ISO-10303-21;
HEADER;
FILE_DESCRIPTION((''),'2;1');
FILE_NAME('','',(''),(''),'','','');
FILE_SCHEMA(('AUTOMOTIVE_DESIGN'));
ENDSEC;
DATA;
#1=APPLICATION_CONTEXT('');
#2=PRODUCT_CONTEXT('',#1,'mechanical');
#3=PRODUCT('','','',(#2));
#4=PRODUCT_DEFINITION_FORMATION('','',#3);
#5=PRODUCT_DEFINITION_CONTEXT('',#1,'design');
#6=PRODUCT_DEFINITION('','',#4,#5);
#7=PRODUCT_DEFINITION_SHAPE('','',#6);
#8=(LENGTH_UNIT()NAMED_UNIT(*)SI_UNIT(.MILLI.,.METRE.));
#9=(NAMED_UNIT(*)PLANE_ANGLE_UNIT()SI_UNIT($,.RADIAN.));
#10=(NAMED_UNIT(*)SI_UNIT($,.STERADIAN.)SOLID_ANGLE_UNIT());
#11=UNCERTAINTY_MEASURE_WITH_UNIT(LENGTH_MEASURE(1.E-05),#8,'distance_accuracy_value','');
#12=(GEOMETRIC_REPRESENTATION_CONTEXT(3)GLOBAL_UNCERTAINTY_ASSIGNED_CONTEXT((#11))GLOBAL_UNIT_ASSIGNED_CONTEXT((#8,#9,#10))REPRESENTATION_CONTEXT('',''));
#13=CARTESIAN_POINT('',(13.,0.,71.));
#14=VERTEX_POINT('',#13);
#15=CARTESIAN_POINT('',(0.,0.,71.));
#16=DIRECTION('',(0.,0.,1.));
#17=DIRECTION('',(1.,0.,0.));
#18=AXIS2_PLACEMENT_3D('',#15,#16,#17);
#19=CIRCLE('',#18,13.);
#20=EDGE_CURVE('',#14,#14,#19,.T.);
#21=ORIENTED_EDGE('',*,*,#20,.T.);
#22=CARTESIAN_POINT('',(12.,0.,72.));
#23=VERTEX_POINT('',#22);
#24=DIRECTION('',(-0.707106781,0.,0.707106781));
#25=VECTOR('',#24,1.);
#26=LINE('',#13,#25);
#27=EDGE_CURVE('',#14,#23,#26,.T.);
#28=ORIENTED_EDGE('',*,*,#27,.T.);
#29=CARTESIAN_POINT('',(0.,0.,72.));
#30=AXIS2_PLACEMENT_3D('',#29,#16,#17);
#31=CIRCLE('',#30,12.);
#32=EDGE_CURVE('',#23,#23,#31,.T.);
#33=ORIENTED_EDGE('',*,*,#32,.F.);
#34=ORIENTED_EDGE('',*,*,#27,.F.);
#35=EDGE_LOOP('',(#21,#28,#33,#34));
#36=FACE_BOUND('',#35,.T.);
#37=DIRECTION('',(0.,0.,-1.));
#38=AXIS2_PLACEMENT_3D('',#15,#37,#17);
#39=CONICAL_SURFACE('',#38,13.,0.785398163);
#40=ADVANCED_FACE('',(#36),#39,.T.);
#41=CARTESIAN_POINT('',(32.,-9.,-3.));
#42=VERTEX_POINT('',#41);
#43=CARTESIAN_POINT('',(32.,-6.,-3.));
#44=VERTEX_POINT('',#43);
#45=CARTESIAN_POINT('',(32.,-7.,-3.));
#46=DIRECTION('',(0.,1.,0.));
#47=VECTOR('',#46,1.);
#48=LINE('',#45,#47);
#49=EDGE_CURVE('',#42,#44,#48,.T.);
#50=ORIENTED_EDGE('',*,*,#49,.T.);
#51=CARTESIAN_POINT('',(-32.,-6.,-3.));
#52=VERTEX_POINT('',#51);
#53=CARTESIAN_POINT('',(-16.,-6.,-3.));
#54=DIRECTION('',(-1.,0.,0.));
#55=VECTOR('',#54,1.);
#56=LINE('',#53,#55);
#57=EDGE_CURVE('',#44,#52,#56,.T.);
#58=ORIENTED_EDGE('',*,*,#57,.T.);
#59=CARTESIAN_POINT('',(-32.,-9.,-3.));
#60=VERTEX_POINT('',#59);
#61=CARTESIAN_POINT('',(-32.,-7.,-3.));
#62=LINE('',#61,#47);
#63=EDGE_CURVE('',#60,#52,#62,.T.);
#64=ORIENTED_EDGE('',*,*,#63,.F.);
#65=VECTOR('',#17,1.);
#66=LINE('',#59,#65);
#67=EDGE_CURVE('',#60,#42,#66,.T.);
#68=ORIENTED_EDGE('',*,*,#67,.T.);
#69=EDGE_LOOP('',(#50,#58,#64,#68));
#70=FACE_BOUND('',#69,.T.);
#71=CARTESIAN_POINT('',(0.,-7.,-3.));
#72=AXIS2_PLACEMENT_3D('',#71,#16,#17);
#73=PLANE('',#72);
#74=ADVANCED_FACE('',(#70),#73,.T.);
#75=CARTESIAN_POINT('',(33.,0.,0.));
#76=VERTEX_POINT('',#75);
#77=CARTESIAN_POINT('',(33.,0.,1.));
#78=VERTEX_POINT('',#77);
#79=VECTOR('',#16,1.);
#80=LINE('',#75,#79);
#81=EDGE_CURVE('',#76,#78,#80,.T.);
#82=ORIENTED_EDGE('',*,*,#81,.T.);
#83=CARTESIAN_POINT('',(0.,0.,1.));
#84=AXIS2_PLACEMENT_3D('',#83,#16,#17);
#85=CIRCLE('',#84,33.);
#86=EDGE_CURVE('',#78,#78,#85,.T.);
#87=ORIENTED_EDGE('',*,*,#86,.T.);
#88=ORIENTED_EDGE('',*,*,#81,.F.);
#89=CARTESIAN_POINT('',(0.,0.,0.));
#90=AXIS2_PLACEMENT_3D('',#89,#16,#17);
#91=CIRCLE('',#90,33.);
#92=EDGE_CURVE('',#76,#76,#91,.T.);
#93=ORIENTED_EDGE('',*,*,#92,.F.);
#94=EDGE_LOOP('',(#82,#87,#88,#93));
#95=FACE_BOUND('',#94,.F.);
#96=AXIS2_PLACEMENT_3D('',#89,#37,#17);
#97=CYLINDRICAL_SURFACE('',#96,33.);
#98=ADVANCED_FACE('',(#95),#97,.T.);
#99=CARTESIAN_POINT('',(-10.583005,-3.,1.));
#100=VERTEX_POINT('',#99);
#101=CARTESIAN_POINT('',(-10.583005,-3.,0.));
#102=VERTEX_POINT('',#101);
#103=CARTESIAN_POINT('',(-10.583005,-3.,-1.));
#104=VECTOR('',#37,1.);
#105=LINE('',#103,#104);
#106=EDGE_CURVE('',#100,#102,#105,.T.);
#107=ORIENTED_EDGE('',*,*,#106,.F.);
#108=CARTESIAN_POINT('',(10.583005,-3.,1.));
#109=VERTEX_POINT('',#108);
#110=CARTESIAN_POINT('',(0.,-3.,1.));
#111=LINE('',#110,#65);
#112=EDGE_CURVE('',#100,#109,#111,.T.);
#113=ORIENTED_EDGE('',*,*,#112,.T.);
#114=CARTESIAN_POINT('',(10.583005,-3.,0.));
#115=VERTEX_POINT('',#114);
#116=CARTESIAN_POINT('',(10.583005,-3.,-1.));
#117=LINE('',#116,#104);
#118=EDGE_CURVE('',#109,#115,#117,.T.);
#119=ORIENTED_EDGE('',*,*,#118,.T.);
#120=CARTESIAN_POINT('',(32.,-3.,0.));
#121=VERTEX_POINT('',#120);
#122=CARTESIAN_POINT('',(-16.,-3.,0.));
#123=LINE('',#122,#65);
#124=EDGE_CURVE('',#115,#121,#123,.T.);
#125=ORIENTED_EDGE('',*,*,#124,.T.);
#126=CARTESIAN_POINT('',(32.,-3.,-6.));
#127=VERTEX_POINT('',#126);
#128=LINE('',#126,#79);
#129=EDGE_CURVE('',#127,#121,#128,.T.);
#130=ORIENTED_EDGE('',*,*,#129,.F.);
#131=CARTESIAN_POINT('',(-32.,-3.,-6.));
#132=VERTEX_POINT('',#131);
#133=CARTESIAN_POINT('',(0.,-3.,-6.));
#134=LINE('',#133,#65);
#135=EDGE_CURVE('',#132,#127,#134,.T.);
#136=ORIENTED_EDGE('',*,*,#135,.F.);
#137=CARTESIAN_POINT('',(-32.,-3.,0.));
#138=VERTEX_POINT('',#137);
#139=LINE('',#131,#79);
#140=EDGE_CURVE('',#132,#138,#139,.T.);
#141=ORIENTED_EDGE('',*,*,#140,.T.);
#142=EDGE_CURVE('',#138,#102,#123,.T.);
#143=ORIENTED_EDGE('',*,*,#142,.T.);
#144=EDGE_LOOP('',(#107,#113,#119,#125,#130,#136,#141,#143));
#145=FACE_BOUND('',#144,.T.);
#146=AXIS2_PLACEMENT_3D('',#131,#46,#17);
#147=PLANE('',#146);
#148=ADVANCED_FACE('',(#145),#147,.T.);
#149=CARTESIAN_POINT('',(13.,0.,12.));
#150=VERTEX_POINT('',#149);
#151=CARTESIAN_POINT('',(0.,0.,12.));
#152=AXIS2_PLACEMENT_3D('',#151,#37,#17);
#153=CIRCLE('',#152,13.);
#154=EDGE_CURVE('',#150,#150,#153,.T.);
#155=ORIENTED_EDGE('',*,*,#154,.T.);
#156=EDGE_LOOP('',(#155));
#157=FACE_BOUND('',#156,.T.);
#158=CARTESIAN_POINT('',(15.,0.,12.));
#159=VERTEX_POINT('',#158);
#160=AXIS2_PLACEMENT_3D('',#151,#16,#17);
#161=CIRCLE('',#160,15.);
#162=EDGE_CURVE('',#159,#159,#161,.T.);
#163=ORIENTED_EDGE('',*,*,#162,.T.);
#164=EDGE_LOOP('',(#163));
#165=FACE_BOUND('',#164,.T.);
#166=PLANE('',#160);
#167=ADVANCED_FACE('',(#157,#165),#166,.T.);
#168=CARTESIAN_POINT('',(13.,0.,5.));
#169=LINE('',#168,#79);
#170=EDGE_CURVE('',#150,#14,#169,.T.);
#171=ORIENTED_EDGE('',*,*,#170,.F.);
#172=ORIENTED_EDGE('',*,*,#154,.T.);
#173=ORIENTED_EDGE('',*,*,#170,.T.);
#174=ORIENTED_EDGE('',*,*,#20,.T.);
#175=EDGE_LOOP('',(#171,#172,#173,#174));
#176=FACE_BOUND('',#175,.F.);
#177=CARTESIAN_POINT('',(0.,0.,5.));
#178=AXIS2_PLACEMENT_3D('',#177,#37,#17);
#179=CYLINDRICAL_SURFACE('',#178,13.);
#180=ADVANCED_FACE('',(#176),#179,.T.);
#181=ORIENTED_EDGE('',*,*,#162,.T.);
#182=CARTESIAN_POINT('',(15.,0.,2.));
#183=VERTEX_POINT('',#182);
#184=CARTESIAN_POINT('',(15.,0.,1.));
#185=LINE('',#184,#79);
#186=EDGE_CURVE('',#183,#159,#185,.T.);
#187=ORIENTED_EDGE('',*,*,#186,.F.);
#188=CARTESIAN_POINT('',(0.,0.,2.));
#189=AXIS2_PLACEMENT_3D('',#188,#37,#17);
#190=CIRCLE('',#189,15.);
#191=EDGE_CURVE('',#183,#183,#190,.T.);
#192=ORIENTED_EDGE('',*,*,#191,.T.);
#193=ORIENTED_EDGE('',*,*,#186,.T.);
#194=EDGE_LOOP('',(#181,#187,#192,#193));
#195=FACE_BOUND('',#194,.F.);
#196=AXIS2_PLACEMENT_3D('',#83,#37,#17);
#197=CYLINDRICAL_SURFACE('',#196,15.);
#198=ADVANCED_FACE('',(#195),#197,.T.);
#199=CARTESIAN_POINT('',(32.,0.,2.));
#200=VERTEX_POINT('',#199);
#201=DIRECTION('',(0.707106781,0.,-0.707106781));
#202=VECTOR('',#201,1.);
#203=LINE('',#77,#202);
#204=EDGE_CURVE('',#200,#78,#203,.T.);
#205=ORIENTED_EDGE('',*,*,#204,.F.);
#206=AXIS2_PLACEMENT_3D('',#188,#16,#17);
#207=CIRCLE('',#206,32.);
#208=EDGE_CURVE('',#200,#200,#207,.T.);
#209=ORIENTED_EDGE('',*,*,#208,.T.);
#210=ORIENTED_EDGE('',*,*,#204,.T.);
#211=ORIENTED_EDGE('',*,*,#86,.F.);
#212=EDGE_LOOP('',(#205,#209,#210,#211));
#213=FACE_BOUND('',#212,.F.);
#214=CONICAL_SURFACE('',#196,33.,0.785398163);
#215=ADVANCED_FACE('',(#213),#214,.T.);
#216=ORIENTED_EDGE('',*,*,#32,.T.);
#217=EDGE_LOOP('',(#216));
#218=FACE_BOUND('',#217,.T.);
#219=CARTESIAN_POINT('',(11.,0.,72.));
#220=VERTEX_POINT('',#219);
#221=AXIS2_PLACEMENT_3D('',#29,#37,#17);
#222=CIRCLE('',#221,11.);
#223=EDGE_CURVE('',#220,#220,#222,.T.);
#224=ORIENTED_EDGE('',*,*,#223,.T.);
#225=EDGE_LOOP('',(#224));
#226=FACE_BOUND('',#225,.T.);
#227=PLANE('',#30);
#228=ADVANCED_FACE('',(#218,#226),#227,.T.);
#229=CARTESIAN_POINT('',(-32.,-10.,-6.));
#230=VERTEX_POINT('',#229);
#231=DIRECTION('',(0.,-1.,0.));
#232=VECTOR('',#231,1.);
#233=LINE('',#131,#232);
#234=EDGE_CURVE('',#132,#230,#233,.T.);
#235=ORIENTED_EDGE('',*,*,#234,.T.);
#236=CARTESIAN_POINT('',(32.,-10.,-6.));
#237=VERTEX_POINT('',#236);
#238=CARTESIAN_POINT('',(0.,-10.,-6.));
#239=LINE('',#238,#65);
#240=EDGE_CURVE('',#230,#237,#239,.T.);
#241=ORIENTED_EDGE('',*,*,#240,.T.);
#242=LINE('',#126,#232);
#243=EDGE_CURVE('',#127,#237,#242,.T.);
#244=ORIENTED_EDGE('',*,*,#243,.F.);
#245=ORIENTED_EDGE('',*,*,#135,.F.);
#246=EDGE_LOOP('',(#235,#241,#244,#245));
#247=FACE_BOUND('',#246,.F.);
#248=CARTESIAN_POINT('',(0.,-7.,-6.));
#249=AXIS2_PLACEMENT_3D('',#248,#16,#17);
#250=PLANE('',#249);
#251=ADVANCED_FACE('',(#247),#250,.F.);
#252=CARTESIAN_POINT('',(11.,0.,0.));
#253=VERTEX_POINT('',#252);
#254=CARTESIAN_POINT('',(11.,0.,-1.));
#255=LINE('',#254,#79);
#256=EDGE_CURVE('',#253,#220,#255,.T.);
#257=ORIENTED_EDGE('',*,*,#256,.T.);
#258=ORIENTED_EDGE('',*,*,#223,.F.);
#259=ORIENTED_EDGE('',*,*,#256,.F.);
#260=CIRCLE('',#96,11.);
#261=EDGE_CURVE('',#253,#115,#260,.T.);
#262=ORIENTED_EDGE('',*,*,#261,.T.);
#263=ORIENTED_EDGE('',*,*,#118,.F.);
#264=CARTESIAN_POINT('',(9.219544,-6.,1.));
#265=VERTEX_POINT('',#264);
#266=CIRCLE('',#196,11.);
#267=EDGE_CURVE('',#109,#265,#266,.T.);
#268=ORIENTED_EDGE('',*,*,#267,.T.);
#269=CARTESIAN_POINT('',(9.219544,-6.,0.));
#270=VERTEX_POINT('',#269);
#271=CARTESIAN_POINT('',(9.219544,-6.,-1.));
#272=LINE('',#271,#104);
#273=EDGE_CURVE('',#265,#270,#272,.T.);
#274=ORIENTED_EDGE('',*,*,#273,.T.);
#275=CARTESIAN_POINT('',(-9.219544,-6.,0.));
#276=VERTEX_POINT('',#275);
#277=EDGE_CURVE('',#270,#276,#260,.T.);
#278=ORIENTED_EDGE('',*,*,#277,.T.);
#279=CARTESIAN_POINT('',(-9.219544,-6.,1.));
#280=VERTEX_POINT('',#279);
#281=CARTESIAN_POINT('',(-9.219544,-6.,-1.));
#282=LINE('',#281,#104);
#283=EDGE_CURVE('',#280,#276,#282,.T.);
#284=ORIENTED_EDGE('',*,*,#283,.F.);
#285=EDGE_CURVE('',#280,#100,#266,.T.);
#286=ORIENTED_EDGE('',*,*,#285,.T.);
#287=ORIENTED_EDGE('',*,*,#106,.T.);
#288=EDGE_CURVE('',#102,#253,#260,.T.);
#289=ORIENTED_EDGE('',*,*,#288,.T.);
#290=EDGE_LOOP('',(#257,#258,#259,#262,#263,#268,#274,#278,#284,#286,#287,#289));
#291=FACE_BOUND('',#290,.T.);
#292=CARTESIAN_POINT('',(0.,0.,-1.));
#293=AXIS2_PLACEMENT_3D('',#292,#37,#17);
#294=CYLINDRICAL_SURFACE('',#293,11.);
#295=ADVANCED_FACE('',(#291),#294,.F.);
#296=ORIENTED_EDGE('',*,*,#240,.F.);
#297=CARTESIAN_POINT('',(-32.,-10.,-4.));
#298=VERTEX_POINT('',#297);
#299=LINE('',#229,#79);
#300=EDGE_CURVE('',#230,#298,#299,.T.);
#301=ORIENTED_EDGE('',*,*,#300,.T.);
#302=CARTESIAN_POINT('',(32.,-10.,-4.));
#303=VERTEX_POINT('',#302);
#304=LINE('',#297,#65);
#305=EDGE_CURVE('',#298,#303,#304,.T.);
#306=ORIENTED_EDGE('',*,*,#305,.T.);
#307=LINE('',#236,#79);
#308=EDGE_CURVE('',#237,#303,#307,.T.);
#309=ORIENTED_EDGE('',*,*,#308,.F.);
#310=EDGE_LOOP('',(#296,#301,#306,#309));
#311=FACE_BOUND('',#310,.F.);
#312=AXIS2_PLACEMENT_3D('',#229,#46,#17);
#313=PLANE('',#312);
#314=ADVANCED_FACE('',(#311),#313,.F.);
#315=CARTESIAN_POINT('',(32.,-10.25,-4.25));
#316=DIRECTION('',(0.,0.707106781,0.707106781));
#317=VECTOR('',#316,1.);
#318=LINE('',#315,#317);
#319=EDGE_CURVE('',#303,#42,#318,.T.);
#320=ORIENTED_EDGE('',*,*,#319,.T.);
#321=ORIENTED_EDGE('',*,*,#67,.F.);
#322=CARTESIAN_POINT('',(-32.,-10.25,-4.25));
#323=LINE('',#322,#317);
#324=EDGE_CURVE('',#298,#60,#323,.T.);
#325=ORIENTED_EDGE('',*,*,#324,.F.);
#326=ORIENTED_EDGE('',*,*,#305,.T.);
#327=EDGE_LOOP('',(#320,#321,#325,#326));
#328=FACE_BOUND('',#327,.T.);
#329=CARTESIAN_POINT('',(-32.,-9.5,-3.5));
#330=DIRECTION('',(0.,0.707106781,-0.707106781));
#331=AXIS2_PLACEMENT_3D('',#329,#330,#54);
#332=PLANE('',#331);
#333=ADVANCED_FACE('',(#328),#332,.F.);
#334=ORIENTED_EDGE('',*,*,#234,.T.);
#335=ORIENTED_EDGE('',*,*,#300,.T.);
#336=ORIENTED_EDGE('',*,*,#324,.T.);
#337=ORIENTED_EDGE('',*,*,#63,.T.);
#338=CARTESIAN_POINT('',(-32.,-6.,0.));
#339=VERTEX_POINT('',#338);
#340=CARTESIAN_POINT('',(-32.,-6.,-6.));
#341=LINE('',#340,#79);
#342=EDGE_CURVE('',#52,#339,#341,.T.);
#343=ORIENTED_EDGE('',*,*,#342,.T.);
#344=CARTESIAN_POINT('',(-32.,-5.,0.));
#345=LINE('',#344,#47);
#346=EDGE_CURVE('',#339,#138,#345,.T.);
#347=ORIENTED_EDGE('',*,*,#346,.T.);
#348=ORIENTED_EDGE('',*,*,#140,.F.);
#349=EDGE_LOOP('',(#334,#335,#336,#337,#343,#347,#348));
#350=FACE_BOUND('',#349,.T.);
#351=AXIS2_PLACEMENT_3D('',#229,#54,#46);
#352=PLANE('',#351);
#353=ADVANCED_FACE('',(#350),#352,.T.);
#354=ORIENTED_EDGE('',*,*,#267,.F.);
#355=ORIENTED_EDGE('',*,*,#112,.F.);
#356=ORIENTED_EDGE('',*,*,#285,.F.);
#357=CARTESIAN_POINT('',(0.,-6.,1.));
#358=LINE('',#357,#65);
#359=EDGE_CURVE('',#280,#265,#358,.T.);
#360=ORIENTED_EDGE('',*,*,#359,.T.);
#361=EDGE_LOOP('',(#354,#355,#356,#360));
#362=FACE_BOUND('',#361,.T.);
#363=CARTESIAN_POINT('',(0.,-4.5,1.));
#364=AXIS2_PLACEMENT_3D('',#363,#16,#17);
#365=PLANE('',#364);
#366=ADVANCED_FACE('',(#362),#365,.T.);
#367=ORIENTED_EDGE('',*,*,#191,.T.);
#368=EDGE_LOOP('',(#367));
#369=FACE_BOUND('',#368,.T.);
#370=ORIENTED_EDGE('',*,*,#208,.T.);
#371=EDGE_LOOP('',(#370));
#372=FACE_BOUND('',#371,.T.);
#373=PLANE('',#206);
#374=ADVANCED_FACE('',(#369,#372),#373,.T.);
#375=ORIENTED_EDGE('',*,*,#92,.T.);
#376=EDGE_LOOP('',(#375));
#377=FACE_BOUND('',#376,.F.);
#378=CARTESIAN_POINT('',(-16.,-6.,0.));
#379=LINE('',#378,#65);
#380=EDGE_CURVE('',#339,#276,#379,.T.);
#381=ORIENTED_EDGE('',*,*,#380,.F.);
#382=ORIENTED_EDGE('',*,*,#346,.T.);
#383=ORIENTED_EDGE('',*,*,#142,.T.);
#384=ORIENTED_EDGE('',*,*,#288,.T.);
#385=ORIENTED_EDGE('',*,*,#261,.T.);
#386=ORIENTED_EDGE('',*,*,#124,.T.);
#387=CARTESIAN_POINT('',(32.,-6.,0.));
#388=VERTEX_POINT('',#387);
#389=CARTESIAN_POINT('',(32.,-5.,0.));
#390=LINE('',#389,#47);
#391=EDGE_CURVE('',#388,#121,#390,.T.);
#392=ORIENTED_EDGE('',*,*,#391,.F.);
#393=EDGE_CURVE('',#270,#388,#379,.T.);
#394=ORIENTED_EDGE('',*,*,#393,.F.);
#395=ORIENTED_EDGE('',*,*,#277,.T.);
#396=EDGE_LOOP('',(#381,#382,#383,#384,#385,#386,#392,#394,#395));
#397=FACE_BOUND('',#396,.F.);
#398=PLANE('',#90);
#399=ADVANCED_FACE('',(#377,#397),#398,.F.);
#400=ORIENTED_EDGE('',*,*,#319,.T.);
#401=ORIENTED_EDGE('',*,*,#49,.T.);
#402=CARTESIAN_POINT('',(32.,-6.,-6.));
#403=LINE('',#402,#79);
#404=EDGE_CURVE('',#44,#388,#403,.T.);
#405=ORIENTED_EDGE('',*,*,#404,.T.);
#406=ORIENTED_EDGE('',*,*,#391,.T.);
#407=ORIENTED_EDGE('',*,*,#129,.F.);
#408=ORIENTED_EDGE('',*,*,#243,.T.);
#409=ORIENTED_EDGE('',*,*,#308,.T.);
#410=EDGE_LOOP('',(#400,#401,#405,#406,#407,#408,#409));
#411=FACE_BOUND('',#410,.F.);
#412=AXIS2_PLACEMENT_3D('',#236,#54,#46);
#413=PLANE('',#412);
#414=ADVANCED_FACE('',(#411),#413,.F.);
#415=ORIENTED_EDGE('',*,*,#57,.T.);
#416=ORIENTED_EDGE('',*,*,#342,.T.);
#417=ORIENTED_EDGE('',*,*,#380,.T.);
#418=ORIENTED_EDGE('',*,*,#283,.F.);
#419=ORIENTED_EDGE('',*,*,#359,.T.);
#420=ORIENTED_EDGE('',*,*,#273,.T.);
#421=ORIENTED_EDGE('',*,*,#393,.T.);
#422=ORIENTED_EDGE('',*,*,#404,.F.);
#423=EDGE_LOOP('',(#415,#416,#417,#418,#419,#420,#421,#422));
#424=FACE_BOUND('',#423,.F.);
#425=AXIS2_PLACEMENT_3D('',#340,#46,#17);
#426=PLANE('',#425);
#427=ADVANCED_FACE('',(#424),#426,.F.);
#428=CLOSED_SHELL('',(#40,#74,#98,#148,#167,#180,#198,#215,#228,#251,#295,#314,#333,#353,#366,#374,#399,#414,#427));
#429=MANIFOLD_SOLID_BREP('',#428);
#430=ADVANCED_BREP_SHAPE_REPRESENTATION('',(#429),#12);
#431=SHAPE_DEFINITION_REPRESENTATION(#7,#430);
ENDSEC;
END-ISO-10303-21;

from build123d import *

# Parameters (mm, degrees)
CYLINDER003_R     = 11
CYLINDER003_DEPTH = 80
CYLINDER002_R     = 13
CYLINDER002_DEPTH = 67
CHAMFER001_SIZE   = 1
CYLINDER001_R     = 15
CYLINDER001_DEPTH = 11
CYLINDER_R        = 33
CYLINDER_DEPTH    = 2
CHAMFER002_SIZE   = 1
BOX_W             = 64
BOX_H             = 3
BOX_DEPTH         = 7
BOX001_W          = 64
BOX001_H          = 6
BOX001_DEPTH      = 3
CHAMFER_SIZE      = 1


with BuildPart() as cylinder003:
    # Cylinder003 → Cylinder003 (new body)
    with BuildSketch(Plane.XY.offset(-1)):
        Circle(CYLINDER003_R)
    extrude(amount=CYLINDER003_DEPTH)


with BuildPart() as chamfer001:
    # Cylinder002 → Cylinder002 (new body)
    with BuildSketch(Plane.XY.offset(10)):
        Circle(CYLINDER002_R)
    extrude(amount=CYLINDER002_DEPTH)

    # Chamfer001
    chamfer001_edges = [chamfer001.edges().sort_by_distance(p)[0] for p in [
        (-13, 0, 77),
    ]]
    chamfer(chamfer001_edges, length=CHAMFER001_SIZE)


with BuildPart() as chamfer001_1:
    # Chamfer001 placement: moved
    add(chamfer001.part.moved(Location((0, 0, -5))))


with BuildPart() as cylinder001:
    # Cylinder001 → Cylinder001 (new body)
    with BuildSketch(Plane.XY.offset(1)):
        Circle(CYLINDER001_R)
    extrude(amount=CYLINDER001_DEPTH)


with BuildPart() as chamfer002:
    # Cylinder → Cylinder (new body)
    with BuildSketch(Plane.XY):
        Circle(CYLINDER_R)
    extrude(amount=CYLINDER_DEPTH)

    # Fusion: union Cylinder001
    add(cylinder001.part)

    # Fusion001: union Chamfer001
    add(chamfer001_1.part)

    # Cut: cut Cylinder003
    add(cylinder003.part, mode=Mode.SUBTRACT)

    # Chamfer002
    chamfer002_edges = [chamfer002.edges().sort_by_distance(p)[0] for p in [
        (-33, 0, 2),
    ]]
    chamfer(chamfer002_edges, length=CHAMFER002_SIZE)


with BuildPart() as cube:
    # Box → Box (new body)
    with BuildSketch(Plane(origin=(-32, 0, -6), x_dir=(1, 0, 0), z_dir=(0, 0, 1))):
        with Locations((32, 1.5)):
            Rectangle(BOX_W, BOX_H)
    extrude(amount=BOX_DEPTH)


with BuildPart() as fusion003:
    # Box001 → Box001 (new body)
    with BuildSketch(Plane(origin=(-32, -4, -6), x_dir=(1, 0, 0), z_dir=(0, 0, 1))):
        with Locations((32, 3)):
            Rectangle(BOX001_W, BOX001_H)
    extrude(amount=BOX001_DEPTH)

    # Chamfer
    chamfer_edges = [fusion003.edges().sort_by_distance(p)[0] for p in [
        (0, -4, -3),
    ]]
    chamfer(chamfer_edges, length=CHAMFER_SIZE)

    # Fusion002: union Cube
    add(cube.part)


with BuildPart() as fusion003_1:
    # Fusion002 placement: moved
    add(fusion003.part.moved(Location((0, -6, 0))))

    # Fusion003: union Chamfer002
    add(chamfer002.part)


solid = fusion003_1.part
